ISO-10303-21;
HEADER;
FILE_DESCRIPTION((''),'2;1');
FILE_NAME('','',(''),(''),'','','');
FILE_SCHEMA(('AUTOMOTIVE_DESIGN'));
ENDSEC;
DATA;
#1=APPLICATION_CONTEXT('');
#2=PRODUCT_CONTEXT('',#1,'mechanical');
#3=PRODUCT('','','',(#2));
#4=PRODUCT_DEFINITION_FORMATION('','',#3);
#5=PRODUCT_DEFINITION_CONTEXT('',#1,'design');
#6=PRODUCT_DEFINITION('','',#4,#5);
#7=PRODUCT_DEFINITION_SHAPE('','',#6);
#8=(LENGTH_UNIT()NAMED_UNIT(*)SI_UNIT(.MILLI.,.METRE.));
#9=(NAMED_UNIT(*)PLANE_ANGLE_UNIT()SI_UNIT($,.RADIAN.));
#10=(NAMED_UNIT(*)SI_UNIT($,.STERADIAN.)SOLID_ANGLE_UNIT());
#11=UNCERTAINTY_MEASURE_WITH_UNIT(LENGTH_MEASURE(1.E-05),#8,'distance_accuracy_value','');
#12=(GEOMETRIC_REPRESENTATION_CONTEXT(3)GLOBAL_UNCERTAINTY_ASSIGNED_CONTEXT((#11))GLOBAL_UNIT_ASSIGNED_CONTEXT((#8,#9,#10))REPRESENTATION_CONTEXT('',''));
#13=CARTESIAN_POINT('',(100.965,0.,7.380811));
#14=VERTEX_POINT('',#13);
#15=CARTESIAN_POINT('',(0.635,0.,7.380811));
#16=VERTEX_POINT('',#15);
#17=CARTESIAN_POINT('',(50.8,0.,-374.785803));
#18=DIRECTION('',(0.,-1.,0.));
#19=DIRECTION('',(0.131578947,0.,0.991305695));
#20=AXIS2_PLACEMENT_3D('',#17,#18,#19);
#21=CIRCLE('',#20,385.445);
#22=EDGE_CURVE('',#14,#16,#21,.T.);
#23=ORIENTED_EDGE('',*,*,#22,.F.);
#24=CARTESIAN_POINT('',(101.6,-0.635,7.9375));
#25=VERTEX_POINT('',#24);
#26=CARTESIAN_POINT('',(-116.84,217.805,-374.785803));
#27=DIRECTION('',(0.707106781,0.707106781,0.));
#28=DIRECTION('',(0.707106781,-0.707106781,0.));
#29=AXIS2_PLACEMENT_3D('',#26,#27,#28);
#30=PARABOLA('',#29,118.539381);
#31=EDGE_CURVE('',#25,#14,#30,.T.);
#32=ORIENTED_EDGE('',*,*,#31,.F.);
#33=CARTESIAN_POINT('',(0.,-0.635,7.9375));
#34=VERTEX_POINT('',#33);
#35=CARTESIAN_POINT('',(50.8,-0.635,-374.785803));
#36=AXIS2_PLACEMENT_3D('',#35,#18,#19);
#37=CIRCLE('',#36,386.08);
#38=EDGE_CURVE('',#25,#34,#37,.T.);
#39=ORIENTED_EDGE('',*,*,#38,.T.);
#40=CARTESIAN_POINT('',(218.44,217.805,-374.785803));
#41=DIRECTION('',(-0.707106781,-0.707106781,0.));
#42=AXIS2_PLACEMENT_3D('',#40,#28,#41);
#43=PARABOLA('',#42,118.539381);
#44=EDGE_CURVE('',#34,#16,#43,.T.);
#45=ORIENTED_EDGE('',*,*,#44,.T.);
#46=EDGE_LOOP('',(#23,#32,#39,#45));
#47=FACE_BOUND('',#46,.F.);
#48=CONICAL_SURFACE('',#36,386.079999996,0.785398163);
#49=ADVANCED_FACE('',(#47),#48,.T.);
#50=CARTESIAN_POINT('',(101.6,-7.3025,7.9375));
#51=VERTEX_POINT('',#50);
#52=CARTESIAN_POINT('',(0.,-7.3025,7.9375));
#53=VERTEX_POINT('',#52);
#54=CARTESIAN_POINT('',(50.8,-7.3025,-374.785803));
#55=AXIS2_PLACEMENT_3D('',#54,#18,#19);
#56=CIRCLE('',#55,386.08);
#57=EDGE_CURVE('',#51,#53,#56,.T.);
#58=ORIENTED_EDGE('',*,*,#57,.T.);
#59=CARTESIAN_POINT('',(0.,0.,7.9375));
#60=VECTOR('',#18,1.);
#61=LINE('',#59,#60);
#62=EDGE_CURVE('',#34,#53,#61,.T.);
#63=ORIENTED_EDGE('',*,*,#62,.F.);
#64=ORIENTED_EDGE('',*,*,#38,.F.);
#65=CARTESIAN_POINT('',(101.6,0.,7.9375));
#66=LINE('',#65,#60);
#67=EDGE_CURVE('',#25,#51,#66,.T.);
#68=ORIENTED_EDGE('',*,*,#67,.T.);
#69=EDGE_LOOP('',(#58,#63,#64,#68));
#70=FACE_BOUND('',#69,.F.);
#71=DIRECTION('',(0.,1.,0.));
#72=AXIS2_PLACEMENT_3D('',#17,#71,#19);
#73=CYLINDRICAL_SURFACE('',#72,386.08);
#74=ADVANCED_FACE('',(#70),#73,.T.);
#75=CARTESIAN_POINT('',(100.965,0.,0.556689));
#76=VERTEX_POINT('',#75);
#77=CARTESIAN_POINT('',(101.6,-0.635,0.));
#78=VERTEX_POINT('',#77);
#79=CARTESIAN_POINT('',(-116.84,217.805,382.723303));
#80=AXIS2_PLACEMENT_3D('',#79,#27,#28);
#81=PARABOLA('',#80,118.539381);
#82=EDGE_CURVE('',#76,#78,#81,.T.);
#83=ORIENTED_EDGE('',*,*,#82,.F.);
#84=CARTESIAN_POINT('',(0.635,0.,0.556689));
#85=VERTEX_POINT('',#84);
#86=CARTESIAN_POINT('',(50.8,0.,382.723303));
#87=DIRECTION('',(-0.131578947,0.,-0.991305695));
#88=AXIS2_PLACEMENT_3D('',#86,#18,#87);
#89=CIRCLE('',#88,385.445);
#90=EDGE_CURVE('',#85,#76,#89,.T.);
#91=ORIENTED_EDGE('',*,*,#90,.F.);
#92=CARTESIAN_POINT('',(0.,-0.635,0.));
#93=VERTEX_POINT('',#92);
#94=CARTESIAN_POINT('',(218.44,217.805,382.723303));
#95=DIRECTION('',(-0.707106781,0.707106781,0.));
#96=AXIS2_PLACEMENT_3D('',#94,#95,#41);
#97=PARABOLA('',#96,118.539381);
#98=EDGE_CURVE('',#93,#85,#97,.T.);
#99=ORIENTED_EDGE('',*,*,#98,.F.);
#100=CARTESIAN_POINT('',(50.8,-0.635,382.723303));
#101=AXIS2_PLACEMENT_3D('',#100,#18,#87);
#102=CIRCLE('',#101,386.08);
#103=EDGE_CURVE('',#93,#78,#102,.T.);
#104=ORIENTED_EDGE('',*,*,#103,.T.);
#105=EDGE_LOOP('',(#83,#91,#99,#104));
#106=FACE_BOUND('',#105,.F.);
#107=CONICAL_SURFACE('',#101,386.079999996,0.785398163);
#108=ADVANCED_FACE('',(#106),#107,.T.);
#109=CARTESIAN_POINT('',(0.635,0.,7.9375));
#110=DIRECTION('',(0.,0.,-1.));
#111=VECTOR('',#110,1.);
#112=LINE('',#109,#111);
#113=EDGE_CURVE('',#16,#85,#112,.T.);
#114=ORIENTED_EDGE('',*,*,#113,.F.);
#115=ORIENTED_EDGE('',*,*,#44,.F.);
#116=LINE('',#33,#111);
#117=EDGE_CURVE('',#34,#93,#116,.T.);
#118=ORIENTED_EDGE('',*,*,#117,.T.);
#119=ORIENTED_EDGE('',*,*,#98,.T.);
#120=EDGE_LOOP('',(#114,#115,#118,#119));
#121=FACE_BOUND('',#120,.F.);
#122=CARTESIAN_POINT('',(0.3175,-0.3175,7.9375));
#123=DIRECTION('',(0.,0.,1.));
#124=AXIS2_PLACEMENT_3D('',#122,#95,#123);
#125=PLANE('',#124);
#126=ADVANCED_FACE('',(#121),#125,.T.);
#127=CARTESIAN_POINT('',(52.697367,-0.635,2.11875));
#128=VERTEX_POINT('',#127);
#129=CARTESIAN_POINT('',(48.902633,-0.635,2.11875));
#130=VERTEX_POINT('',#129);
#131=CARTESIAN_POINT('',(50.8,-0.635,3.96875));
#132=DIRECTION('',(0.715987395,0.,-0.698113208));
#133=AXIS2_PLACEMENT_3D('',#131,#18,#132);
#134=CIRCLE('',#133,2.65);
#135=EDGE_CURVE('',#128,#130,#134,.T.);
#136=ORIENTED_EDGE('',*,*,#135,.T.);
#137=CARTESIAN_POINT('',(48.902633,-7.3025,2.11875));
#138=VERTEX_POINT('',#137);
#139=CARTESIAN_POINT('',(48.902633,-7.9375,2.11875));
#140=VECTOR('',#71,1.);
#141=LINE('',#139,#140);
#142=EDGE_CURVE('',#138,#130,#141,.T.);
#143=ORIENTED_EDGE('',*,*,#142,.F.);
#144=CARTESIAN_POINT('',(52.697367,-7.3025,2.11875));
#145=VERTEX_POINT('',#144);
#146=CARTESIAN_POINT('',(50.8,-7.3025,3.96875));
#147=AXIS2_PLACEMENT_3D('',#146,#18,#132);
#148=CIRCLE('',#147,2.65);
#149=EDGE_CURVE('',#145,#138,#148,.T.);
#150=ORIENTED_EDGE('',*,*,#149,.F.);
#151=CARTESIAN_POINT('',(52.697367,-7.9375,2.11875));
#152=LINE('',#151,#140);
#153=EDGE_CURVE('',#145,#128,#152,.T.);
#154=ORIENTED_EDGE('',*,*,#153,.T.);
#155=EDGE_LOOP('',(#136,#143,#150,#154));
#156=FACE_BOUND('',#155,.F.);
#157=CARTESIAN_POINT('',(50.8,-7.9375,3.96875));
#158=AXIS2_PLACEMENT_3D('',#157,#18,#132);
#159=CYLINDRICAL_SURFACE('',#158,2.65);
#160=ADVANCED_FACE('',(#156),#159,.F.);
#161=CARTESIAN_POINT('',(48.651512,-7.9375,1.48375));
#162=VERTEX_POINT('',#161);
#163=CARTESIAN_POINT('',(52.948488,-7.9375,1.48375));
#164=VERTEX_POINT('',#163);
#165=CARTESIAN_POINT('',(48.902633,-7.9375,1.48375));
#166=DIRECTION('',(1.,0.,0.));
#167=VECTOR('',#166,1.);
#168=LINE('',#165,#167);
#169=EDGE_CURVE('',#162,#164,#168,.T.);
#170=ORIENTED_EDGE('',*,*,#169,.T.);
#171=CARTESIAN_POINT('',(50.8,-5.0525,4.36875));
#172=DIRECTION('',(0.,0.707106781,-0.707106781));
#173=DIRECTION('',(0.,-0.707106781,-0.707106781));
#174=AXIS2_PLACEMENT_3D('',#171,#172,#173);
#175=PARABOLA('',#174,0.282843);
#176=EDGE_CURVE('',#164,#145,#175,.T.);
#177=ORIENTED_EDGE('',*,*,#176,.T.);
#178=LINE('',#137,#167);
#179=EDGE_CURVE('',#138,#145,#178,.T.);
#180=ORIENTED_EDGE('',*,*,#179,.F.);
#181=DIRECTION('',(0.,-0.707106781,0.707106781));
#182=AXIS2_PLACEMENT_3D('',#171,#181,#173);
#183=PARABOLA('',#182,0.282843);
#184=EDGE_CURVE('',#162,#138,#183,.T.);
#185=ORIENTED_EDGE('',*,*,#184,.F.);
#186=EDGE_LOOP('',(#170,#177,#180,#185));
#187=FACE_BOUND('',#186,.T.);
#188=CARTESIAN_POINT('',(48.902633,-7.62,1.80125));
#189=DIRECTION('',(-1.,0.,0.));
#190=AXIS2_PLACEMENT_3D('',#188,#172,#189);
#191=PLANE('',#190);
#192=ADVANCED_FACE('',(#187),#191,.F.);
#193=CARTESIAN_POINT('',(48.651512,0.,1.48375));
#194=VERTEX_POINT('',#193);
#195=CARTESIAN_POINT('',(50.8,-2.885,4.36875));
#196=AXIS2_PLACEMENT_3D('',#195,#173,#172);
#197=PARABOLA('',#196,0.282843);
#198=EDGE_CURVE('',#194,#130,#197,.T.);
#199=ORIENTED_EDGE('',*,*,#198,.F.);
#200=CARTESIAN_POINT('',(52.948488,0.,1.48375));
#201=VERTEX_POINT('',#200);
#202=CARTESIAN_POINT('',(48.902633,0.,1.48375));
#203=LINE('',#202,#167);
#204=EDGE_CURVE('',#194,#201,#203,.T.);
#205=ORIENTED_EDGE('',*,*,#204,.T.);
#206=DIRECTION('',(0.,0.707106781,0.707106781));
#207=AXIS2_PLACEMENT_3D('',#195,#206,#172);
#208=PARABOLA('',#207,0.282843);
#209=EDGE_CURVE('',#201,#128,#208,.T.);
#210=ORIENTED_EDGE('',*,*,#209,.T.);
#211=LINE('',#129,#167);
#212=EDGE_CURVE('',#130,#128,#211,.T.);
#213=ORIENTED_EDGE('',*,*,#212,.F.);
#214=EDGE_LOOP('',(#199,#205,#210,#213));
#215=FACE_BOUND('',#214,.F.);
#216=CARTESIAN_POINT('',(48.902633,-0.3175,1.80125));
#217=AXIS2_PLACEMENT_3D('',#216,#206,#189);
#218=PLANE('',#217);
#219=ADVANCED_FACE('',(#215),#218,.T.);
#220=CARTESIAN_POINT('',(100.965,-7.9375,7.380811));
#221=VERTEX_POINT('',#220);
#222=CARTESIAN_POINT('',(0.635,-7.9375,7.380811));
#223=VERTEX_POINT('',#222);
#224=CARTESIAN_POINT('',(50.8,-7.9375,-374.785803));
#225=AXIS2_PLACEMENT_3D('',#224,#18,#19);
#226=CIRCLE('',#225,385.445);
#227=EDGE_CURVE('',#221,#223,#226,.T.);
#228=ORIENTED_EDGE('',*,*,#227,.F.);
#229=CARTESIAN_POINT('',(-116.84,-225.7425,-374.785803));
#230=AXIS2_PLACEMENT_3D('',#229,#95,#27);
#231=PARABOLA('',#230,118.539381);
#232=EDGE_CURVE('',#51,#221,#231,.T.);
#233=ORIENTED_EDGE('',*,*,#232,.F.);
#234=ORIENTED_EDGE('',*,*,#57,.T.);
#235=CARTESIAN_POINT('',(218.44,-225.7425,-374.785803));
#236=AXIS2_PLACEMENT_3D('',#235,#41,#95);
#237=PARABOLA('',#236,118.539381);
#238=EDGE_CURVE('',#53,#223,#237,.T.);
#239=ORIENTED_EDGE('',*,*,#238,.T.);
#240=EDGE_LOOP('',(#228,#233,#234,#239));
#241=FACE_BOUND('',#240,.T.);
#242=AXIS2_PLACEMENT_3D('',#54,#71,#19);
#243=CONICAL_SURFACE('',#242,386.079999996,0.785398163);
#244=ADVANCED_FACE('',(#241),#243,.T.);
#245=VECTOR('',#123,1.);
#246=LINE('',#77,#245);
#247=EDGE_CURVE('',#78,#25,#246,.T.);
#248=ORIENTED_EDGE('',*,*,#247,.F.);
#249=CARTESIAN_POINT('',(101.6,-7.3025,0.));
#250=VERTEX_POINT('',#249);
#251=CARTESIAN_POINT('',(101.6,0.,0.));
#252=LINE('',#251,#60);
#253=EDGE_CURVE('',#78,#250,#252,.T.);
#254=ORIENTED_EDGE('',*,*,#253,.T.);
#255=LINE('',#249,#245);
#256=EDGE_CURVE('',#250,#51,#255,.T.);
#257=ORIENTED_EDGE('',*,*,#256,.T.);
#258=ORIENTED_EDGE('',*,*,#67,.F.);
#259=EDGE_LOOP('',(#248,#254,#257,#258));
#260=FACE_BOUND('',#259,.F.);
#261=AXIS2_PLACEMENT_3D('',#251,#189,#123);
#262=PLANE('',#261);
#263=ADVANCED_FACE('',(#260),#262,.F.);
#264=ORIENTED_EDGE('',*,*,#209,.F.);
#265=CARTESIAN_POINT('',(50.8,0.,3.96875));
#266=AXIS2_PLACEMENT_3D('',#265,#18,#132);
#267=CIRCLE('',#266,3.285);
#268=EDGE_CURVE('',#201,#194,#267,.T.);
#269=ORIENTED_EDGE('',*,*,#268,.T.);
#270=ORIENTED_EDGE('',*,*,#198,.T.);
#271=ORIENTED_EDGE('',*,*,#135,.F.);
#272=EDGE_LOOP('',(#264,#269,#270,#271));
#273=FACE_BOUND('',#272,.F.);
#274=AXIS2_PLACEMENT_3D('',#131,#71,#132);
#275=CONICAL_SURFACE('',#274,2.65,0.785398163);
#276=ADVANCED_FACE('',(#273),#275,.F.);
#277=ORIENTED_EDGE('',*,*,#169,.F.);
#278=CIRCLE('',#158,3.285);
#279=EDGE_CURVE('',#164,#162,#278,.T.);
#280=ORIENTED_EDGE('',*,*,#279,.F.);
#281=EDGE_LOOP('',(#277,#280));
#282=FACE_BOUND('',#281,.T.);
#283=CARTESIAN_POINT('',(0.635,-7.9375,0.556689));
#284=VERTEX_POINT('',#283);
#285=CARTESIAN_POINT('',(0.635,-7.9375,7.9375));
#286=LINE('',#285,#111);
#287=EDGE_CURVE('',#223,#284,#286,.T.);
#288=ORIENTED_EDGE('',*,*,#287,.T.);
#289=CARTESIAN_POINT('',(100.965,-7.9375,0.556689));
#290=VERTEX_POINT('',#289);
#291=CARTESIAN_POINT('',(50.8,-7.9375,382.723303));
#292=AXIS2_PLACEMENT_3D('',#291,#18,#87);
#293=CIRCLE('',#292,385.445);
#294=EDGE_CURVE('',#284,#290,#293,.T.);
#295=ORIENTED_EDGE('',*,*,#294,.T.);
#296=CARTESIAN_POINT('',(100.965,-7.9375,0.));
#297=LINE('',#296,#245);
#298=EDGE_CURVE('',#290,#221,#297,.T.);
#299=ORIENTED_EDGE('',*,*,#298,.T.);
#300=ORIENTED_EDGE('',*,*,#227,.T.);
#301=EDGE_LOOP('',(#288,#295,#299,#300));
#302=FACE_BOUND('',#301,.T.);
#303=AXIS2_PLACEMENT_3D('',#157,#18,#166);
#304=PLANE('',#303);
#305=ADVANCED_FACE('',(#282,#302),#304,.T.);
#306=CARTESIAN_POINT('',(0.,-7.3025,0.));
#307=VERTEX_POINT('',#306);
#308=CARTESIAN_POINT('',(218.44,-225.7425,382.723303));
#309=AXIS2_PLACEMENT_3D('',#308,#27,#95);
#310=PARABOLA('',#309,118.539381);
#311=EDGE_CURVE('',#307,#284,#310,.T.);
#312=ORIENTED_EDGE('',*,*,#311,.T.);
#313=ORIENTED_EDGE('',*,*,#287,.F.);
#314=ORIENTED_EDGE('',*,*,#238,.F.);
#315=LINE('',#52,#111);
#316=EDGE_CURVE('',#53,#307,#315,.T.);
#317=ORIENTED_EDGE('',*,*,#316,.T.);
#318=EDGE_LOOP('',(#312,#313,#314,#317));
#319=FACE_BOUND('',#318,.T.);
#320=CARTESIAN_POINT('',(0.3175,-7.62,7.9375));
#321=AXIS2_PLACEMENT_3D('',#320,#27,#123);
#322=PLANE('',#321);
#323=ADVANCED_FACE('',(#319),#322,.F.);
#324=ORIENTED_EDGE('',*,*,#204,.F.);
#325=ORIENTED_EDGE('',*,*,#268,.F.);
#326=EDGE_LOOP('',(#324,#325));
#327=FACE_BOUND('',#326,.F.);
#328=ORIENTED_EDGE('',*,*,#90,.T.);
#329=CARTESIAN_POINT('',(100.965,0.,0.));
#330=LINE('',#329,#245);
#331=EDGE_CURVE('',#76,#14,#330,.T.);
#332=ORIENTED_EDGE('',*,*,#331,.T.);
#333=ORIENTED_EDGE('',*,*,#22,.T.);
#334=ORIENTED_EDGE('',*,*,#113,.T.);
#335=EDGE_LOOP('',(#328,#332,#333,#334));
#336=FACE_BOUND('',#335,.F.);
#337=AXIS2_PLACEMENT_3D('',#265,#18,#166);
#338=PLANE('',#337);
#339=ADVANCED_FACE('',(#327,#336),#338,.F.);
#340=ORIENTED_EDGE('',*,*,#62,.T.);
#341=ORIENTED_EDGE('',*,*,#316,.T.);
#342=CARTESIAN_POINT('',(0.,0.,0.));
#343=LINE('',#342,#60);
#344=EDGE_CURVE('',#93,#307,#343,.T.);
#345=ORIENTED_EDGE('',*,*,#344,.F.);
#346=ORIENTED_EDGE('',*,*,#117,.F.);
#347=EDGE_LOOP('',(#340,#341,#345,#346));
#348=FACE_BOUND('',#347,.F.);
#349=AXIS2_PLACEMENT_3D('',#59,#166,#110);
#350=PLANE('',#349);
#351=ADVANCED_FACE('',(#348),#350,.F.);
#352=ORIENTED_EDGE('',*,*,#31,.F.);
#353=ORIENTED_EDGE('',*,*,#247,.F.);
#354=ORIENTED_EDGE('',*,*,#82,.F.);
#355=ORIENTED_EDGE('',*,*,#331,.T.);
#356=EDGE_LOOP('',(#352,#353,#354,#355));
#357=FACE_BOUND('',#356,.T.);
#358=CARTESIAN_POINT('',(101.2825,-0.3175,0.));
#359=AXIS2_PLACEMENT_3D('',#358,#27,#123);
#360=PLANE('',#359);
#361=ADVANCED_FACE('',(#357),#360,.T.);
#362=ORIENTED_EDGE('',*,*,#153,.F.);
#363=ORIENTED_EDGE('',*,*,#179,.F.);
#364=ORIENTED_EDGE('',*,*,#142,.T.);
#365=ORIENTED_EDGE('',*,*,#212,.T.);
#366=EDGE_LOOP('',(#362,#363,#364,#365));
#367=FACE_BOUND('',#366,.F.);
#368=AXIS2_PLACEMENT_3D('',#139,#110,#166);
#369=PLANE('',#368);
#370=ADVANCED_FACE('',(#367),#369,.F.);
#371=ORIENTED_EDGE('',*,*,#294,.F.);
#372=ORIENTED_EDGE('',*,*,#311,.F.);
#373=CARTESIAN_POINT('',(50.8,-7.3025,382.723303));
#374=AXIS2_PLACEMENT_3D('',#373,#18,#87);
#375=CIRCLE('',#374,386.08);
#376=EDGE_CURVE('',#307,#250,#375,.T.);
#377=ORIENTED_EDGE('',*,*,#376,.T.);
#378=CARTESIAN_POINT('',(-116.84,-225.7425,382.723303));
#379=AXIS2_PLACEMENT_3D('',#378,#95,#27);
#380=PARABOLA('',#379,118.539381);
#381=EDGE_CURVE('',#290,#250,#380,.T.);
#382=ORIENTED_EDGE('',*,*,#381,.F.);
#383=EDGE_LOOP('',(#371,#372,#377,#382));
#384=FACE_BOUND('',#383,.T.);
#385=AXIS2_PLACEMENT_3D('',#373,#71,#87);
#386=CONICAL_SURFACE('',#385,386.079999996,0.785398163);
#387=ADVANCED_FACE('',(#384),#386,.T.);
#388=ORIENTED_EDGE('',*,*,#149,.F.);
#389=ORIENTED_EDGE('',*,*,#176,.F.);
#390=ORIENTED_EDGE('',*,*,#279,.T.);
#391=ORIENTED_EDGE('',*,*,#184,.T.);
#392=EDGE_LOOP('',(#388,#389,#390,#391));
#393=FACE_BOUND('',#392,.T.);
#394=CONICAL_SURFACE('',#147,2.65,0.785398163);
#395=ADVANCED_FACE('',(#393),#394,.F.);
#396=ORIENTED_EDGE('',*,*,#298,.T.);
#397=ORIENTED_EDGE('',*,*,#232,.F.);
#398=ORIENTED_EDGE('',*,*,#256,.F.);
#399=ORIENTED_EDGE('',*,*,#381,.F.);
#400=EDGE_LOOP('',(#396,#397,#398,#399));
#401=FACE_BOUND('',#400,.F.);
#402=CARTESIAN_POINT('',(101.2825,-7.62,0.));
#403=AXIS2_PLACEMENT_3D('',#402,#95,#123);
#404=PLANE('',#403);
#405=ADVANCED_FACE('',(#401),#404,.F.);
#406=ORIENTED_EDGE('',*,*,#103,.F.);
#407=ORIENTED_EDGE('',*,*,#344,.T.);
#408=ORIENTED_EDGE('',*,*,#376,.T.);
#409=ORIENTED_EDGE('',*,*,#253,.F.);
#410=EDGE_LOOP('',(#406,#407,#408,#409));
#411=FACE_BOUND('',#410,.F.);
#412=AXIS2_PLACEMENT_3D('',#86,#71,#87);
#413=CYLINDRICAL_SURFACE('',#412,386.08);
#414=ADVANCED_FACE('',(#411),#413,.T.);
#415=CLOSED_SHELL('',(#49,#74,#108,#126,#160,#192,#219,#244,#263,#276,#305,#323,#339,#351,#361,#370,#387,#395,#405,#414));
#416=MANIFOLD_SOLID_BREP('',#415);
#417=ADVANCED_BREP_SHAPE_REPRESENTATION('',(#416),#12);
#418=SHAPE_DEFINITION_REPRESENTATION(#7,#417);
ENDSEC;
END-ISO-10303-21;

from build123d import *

# Parameters (mm, degrees)
F1_DEPTH = 7.9375
F3_DEPTH = 7.9385
F4_SIZE  = 0.635


with BuildPart() as f1:
    # F0 (on Front) → F1 (new body)
    with BuildSketch(Plane.XZ):
        with BuildLine():
            Line((0, 7.9375), (0, 0))
            ThreePointArc((0, 0), (50.8, -3.3566973387), (101.6, 0))
            Line((101.6, 0), (101.6, 7.9375))
            ThreePointArc((101.6, 7.9375), (50.8, 11.2941973387), (0, 7.9375))
        make_face()
    extrude(amount=F1_DEPTH)

    # F2 (on face) → F3 (cut, through all)
    with BuildSketch(Plane.XZ.offset(7.9375)):
        with BuildLine():
            Line((48.9026334039, 2.11875), (52.6973665961, 2.11875))
            ThreePointArc((52.6973665961, 2.11875), (50.8, 6.61875), (48.9026334039, 2.11875))
        make_face()
    extrude(amount=-F3_DEPTH, mode=Mode.SUBTRACT)

    # F4
    f4_edges = [f1.edges().sort_by_distance(p)[0] for p in [
        (50.8, -7.9375, 11.294197),
        (101.6, -7.9375, 3.96875),
        (0, -7.9375, 3.96875),
        (50.8, -7.9375, -3.356697),
        (50.8, -7.9375, 2.11875),
        (50.8, -7.9375, 6.61875),
        (50.8, 0, 11.294197),
        (101.6, 0, 3.96875),
        (0, 0, 3.96875),
        (50.8, 0, -3.356697),
        (50.8, 0, 2.11875),
        (50.8, 0, 6.61875),
    ]]
    chamfer(f4_edges, length=F4_SIZE)


solid = f1.part
